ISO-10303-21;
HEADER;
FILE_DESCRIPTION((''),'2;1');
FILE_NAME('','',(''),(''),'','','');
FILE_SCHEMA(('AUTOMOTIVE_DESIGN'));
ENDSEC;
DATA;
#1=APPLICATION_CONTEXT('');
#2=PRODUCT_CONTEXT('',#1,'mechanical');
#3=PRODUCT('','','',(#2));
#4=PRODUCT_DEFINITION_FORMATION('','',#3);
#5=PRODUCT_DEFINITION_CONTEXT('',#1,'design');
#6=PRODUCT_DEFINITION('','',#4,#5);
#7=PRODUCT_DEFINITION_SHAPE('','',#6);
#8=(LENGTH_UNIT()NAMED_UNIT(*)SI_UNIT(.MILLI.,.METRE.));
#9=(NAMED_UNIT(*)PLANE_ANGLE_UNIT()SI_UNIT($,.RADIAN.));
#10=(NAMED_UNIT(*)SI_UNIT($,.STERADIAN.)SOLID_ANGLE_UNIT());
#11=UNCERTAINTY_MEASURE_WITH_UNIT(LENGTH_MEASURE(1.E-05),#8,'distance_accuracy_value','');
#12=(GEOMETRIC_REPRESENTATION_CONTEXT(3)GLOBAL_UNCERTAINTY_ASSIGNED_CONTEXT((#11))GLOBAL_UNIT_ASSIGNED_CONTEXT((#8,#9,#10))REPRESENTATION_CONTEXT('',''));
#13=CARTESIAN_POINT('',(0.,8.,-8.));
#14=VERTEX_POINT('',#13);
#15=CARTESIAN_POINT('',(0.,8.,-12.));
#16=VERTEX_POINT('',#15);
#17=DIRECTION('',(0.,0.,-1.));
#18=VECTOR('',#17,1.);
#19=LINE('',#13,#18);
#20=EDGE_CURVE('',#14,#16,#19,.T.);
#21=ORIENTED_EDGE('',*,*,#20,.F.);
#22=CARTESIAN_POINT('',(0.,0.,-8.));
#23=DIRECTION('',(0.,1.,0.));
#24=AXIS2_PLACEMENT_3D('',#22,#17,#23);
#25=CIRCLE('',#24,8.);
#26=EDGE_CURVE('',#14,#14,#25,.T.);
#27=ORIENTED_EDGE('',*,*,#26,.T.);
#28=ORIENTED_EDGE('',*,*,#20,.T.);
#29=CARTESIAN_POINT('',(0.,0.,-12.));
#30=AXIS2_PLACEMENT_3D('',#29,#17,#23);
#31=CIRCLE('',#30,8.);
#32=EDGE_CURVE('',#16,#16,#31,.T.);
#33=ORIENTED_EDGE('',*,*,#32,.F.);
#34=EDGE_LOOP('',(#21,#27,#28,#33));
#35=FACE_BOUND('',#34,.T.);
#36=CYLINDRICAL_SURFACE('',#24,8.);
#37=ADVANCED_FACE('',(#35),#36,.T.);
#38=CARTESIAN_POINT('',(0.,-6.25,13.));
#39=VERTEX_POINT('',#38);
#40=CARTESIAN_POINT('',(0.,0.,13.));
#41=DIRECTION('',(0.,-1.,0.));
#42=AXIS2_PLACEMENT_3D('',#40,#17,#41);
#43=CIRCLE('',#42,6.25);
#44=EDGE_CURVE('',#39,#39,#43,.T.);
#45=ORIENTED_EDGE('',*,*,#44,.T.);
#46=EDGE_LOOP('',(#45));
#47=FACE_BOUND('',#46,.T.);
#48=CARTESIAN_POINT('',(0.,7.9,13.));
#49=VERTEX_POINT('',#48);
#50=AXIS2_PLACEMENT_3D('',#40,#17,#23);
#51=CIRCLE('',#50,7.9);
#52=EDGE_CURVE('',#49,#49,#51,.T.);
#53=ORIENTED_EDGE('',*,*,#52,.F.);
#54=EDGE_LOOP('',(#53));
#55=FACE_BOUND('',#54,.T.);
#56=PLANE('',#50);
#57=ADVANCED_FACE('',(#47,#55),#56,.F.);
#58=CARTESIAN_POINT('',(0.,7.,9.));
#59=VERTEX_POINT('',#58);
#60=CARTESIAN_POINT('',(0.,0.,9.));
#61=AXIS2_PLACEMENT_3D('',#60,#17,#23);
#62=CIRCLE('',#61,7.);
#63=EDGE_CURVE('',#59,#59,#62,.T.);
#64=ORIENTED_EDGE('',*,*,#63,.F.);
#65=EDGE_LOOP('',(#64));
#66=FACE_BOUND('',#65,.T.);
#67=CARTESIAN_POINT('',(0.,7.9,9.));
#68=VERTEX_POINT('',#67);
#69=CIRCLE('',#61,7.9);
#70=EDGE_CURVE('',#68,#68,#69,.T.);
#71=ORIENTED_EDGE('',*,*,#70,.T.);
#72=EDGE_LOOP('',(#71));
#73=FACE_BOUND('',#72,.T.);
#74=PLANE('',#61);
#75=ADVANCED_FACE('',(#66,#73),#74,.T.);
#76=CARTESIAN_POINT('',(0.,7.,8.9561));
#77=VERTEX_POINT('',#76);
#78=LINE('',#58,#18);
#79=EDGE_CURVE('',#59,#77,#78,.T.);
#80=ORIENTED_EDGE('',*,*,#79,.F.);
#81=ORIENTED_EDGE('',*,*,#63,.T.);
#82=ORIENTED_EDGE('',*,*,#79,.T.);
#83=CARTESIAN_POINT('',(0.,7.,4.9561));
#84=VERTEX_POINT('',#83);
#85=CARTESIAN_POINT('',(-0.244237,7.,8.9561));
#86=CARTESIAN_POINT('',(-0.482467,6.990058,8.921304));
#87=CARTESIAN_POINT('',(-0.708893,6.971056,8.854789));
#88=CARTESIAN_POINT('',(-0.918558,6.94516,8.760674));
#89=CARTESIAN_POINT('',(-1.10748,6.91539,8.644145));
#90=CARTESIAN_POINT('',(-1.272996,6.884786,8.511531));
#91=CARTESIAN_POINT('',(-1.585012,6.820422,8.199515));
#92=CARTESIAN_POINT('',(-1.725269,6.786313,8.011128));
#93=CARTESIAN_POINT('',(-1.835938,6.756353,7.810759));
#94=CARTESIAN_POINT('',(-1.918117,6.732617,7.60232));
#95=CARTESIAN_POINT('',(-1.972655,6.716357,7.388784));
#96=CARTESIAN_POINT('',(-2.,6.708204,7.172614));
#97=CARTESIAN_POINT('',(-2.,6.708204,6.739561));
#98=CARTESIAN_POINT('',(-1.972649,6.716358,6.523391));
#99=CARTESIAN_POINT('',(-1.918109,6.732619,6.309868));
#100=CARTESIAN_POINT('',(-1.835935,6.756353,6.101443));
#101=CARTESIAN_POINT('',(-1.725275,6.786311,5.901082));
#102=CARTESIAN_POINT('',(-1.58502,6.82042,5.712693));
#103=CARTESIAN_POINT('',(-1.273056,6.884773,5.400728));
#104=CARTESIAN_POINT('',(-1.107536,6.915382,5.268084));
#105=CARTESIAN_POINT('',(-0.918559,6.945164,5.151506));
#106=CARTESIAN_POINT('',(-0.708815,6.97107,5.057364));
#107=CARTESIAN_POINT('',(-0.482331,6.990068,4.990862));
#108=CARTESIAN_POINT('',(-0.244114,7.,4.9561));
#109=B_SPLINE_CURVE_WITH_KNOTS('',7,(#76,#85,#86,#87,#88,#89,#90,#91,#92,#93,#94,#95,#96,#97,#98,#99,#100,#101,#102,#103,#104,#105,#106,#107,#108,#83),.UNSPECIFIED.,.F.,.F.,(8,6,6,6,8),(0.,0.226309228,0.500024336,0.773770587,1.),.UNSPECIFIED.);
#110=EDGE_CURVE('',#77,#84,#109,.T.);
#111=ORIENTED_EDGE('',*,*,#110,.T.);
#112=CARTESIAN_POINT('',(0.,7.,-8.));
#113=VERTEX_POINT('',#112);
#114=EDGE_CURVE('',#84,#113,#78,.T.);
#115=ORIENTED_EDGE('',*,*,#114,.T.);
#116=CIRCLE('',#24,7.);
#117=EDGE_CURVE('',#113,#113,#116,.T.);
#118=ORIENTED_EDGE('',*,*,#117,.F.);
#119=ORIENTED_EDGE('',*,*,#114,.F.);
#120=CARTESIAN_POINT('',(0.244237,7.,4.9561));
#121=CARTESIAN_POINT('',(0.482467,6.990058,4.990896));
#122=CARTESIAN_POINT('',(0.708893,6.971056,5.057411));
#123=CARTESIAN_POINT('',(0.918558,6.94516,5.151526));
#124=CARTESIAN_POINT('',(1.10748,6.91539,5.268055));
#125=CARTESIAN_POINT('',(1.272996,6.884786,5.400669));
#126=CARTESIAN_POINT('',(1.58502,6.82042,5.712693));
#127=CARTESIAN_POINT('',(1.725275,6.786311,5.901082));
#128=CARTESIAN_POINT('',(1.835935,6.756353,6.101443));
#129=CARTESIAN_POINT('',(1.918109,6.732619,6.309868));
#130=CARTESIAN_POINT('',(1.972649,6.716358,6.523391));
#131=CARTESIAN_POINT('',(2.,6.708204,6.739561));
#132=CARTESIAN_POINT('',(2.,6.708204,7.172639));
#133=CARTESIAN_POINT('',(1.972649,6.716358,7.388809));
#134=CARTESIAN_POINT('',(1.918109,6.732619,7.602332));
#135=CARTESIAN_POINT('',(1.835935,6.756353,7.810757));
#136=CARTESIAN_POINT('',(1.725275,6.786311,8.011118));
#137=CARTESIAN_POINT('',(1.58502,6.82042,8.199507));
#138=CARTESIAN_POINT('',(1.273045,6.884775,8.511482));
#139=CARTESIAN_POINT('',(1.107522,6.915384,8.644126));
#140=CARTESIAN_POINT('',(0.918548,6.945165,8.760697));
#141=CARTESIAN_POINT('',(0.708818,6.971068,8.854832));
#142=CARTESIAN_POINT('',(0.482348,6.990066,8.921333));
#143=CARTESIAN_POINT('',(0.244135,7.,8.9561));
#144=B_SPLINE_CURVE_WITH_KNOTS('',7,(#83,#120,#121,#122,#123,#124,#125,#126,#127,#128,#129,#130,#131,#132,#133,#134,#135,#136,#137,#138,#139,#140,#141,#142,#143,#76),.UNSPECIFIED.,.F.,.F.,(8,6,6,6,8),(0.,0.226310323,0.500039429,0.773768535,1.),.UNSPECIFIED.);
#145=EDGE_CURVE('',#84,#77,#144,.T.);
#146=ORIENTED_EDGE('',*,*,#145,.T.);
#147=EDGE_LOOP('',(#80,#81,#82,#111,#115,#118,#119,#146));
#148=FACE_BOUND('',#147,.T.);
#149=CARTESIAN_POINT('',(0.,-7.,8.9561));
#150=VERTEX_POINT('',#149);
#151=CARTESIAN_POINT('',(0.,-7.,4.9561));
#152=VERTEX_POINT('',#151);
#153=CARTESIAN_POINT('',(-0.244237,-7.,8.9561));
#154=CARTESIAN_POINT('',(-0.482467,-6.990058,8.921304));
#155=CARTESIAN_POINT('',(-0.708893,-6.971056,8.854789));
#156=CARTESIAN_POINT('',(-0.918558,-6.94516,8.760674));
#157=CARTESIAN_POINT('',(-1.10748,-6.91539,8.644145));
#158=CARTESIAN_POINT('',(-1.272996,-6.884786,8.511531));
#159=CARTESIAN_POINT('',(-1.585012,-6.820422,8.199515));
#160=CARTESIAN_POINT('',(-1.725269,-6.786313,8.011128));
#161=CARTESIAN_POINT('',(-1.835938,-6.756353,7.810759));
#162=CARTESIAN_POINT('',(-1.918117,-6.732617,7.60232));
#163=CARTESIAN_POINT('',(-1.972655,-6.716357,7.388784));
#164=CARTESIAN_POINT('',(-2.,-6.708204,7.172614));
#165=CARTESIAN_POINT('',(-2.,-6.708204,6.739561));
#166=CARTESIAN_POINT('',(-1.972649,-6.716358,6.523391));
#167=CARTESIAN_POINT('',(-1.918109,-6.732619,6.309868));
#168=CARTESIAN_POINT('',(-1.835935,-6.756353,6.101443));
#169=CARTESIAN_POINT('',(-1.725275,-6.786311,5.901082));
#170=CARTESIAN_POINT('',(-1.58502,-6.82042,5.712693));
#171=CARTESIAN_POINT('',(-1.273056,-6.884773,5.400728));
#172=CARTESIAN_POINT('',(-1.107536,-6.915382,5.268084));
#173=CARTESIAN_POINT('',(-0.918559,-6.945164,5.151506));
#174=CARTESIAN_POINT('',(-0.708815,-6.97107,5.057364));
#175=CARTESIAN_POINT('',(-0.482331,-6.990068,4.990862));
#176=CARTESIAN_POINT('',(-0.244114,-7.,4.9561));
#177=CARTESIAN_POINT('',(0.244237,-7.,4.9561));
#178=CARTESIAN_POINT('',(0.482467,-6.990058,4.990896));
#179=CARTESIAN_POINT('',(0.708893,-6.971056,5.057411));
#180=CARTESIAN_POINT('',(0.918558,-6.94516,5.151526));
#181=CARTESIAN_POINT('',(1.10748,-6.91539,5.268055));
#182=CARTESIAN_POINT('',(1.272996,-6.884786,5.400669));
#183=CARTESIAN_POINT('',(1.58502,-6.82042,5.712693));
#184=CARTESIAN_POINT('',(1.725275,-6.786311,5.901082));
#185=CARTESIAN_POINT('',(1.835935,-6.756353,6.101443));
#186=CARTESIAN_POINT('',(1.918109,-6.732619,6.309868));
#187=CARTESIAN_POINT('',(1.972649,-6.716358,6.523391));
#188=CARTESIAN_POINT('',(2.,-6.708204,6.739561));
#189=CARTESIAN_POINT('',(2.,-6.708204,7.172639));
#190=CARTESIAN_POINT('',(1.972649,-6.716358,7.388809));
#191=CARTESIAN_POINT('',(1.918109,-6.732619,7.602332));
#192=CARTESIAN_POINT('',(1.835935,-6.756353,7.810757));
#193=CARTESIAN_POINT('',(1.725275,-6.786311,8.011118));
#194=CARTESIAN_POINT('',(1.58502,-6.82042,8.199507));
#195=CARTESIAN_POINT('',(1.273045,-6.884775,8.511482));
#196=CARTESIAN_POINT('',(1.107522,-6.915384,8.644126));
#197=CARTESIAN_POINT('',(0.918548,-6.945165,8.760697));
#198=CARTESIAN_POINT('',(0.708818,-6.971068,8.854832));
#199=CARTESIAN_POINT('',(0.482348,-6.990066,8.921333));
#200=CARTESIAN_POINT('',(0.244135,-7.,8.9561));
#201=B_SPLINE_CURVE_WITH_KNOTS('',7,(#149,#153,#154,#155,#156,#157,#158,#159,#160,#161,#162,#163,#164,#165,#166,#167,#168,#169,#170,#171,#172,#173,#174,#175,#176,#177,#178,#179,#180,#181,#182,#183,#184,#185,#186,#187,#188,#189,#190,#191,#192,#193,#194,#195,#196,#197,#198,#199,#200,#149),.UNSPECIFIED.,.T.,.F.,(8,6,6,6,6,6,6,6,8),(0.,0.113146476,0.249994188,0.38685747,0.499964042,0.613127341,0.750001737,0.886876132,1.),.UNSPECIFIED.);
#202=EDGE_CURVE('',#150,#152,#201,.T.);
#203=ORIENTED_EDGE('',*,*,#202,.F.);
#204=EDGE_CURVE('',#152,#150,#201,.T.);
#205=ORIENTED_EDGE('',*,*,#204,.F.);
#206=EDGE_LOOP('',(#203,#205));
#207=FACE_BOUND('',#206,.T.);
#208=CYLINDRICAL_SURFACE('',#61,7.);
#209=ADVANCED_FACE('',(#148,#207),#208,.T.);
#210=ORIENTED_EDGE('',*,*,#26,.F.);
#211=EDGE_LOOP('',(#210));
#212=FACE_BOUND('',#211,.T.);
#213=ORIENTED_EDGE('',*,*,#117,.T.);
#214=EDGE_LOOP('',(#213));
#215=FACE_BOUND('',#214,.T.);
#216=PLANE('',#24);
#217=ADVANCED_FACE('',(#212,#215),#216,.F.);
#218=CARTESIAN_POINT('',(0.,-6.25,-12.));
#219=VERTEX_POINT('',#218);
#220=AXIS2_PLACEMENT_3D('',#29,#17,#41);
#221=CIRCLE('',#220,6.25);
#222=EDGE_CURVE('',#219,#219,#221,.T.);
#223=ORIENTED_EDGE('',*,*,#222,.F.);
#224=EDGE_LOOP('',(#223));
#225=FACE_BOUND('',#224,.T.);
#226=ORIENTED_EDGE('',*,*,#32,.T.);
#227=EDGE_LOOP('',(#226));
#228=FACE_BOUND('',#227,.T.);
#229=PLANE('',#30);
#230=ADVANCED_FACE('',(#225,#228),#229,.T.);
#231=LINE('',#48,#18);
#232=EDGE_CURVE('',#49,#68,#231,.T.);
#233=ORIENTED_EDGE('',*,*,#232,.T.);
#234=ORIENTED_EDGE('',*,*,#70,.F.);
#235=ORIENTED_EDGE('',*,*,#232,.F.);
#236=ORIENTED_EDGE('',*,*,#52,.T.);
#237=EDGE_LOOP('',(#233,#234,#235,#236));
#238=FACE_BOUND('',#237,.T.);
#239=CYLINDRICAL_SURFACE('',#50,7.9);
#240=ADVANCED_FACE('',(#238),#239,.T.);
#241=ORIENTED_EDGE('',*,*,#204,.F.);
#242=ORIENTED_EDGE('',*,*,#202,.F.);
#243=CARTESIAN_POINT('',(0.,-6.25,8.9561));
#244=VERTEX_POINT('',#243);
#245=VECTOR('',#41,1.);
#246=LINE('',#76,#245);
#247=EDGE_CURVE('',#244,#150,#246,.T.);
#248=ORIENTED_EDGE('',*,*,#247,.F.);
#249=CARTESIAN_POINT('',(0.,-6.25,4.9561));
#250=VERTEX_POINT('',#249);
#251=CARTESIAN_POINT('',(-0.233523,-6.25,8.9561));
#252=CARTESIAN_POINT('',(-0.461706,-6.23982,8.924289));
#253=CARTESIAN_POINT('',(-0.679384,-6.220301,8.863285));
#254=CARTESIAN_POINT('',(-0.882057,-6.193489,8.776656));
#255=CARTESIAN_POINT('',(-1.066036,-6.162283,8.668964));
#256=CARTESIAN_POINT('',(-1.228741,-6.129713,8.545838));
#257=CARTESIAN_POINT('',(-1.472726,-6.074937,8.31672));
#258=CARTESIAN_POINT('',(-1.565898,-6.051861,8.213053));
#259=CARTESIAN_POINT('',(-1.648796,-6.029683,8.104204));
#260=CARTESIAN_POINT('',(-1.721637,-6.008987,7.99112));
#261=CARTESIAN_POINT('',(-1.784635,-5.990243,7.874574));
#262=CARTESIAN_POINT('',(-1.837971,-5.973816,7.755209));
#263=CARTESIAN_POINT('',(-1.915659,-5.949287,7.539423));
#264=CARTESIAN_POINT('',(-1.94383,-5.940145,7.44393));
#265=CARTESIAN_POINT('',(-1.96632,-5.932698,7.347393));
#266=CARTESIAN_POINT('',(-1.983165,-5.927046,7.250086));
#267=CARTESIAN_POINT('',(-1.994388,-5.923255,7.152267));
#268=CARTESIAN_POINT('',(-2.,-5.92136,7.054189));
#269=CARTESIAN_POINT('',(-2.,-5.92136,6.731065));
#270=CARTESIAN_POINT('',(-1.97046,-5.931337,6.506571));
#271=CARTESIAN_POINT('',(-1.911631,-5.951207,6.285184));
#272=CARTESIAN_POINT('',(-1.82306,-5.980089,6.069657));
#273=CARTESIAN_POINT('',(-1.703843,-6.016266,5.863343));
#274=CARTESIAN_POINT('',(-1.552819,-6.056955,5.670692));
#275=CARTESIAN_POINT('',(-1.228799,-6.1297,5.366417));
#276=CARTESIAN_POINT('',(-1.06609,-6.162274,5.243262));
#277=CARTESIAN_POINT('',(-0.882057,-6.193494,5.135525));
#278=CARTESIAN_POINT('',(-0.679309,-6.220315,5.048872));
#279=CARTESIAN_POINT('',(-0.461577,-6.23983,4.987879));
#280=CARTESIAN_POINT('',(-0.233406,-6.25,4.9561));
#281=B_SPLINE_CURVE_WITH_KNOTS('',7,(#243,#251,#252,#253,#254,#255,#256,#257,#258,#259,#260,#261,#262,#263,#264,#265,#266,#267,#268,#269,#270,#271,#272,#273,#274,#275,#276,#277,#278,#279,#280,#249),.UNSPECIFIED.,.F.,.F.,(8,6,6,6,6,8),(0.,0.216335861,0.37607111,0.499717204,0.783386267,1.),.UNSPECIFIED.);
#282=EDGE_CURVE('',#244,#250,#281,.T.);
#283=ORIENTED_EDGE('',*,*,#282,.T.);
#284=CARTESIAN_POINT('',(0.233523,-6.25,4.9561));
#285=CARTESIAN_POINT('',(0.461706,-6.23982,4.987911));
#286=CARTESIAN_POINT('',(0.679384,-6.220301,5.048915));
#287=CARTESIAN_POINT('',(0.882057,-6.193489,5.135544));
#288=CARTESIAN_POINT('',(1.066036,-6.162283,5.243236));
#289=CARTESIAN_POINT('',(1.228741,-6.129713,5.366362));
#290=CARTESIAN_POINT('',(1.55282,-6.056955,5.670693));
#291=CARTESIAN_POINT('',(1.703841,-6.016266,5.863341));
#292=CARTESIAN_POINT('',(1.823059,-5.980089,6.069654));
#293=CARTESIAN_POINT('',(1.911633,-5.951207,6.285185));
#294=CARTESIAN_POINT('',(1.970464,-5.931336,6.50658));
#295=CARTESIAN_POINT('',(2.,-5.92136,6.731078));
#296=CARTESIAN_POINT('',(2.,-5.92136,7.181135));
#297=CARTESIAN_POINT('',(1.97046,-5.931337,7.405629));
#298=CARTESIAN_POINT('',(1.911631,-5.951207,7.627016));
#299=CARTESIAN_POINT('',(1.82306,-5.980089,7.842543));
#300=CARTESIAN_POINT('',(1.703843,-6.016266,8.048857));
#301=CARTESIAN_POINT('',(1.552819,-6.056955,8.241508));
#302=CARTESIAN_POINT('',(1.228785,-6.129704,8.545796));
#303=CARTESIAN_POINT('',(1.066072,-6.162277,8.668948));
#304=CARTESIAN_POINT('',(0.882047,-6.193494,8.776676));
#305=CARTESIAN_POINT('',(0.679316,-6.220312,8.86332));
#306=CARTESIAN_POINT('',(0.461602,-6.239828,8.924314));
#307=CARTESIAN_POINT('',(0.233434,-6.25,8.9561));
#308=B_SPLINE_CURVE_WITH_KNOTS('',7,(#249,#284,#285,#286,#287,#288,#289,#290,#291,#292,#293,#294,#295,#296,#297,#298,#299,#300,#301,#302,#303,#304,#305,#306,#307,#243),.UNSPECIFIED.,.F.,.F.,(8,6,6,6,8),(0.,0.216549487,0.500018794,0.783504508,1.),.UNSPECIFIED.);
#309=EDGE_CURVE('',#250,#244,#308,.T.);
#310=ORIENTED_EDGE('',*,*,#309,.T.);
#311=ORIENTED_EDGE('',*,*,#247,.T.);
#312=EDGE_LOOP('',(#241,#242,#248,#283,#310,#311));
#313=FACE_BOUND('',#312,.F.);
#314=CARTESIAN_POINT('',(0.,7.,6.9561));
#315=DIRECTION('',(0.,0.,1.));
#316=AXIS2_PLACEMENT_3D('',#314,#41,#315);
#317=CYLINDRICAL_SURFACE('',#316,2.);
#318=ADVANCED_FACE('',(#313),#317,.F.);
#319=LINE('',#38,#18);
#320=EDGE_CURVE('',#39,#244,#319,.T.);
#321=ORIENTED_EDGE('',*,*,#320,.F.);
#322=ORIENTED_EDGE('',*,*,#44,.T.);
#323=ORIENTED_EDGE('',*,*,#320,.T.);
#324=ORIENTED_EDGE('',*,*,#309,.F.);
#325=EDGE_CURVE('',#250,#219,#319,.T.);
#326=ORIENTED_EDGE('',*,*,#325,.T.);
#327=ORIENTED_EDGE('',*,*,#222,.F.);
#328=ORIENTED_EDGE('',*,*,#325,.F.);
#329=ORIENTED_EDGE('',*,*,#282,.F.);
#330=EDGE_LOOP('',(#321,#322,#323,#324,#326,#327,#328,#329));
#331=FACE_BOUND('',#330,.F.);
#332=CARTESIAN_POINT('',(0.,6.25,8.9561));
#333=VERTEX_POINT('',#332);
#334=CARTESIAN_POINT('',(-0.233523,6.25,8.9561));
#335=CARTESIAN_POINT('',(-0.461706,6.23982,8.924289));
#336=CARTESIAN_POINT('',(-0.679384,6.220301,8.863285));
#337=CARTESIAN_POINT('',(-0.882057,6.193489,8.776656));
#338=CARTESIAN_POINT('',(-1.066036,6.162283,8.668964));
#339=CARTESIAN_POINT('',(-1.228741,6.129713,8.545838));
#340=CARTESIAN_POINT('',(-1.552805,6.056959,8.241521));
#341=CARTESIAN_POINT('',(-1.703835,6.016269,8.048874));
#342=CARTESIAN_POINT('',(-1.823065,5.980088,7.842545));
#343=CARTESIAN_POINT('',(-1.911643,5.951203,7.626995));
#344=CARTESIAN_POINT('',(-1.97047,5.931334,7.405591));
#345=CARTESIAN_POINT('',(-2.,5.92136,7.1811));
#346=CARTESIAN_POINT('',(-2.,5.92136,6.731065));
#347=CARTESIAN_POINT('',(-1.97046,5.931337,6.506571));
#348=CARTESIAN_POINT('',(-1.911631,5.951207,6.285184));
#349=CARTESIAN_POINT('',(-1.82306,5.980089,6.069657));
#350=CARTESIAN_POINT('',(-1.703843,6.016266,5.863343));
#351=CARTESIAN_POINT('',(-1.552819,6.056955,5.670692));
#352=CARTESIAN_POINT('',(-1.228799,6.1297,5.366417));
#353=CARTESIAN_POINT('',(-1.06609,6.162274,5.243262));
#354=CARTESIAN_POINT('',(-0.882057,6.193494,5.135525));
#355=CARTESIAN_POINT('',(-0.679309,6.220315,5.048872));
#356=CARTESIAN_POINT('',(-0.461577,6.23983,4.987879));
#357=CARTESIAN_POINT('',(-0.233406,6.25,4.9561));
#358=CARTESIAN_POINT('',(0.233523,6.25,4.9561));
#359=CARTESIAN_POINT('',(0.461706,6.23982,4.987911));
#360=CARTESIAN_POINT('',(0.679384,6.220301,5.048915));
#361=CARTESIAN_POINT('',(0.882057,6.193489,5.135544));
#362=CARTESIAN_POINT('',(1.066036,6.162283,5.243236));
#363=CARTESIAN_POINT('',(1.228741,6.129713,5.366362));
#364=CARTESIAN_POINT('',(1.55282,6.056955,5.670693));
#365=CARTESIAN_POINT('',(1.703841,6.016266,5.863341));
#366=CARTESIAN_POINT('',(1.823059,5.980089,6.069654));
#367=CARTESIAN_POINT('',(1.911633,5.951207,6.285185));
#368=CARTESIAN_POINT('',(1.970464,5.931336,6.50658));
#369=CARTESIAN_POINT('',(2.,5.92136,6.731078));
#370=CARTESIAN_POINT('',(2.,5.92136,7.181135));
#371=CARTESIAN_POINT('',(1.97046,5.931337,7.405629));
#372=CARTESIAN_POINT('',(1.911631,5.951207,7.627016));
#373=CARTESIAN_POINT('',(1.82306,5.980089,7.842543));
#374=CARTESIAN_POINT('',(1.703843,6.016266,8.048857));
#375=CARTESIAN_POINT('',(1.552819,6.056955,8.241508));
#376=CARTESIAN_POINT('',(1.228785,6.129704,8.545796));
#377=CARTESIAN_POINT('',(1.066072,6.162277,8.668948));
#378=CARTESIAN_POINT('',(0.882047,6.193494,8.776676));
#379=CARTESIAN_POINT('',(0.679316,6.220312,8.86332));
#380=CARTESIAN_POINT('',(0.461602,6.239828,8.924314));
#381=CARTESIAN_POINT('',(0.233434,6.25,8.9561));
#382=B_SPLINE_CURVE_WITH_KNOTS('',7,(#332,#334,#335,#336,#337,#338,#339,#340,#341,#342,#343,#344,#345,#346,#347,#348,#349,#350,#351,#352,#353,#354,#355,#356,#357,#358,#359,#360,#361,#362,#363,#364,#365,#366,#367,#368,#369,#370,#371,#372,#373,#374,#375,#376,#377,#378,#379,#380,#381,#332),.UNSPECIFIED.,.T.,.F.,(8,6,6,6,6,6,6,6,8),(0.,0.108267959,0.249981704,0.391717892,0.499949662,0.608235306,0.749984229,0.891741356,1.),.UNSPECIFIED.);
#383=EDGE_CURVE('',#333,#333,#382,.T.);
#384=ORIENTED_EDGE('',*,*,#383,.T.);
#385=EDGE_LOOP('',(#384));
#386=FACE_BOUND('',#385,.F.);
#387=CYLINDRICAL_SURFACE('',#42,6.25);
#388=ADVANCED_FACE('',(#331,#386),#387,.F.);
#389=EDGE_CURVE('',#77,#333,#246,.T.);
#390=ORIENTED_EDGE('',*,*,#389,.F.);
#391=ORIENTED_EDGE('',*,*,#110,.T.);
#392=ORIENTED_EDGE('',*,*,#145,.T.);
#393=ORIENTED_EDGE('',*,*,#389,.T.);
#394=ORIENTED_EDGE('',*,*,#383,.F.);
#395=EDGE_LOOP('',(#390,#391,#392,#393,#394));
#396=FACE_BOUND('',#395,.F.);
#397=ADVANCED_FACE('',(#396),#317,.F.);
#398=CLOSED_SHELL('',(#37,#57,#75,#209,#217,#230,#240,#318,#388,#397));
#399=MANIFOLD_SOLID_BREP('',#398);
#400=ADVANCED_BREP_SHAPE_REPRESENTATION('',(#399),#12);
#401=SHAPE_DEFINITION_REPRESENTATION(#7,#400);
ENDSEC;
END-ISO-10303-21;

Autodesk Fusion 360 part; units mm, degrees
sketch "Skizze1" plane through (0, 0, 0) normal (1, 0, 0) x (0, 0, -1)
  line L0 (-75, 0) -> (90, 0)
  line L1 (-13, 0) -> (-13, 7.9)
  line L2 (-13, 7.9) -> (-9, 7.9)
  line L3 (-9, 7.9) -> (-9, 7)
  line L4 (-9, 7) -> (8, 7)
  line L5 (8, 7) -> (8, 8)
  line L6 (8, 8) -> (12, 8)
  line L7 (12, 8) -> (12, 0)
  dimension "d1" = 7.9
  dimension "d2" = 4
  dimension "d3" = 17
  dimension "d4" = 4
revolve "Drehen1" add sketch "Skizze1" angle 360 about axis through (0, 0, 75) along (0, 0, -1) makes body 1
hole "Bohrung1" at (0, 0, 13) direction (0, 0, -1) diameter 12.5 end through all bodies 1 1
ref_plane "Arbeitsebene2" through (0, 7, 0.9561) normal (0, 1, 0) x (-1, 0, 0)
sketch "Skizze3" plane through (0, 7, 0.9561) normal (0, 1, 0) x (1, 0, 0)
  point P0 (0, -6)
hole "Bohrung2" at (0, 7, 6.9561) direction (0, -1, 0) diameter 4 depth 14 tip angle 180 bodies 1
copy_body "Körper->Berechn1" bodies 1 removing the originals makes body 2 in component "gasChargingCryoarmGuide"
component "gasChargingCryoarmGuide" placed x (1, 0, 0) y (0, 1, 0) z (0, 0, 1) at (0, 0, 0)
equation "d1 = ( 15.8 / 2 ) * 1 mm"
